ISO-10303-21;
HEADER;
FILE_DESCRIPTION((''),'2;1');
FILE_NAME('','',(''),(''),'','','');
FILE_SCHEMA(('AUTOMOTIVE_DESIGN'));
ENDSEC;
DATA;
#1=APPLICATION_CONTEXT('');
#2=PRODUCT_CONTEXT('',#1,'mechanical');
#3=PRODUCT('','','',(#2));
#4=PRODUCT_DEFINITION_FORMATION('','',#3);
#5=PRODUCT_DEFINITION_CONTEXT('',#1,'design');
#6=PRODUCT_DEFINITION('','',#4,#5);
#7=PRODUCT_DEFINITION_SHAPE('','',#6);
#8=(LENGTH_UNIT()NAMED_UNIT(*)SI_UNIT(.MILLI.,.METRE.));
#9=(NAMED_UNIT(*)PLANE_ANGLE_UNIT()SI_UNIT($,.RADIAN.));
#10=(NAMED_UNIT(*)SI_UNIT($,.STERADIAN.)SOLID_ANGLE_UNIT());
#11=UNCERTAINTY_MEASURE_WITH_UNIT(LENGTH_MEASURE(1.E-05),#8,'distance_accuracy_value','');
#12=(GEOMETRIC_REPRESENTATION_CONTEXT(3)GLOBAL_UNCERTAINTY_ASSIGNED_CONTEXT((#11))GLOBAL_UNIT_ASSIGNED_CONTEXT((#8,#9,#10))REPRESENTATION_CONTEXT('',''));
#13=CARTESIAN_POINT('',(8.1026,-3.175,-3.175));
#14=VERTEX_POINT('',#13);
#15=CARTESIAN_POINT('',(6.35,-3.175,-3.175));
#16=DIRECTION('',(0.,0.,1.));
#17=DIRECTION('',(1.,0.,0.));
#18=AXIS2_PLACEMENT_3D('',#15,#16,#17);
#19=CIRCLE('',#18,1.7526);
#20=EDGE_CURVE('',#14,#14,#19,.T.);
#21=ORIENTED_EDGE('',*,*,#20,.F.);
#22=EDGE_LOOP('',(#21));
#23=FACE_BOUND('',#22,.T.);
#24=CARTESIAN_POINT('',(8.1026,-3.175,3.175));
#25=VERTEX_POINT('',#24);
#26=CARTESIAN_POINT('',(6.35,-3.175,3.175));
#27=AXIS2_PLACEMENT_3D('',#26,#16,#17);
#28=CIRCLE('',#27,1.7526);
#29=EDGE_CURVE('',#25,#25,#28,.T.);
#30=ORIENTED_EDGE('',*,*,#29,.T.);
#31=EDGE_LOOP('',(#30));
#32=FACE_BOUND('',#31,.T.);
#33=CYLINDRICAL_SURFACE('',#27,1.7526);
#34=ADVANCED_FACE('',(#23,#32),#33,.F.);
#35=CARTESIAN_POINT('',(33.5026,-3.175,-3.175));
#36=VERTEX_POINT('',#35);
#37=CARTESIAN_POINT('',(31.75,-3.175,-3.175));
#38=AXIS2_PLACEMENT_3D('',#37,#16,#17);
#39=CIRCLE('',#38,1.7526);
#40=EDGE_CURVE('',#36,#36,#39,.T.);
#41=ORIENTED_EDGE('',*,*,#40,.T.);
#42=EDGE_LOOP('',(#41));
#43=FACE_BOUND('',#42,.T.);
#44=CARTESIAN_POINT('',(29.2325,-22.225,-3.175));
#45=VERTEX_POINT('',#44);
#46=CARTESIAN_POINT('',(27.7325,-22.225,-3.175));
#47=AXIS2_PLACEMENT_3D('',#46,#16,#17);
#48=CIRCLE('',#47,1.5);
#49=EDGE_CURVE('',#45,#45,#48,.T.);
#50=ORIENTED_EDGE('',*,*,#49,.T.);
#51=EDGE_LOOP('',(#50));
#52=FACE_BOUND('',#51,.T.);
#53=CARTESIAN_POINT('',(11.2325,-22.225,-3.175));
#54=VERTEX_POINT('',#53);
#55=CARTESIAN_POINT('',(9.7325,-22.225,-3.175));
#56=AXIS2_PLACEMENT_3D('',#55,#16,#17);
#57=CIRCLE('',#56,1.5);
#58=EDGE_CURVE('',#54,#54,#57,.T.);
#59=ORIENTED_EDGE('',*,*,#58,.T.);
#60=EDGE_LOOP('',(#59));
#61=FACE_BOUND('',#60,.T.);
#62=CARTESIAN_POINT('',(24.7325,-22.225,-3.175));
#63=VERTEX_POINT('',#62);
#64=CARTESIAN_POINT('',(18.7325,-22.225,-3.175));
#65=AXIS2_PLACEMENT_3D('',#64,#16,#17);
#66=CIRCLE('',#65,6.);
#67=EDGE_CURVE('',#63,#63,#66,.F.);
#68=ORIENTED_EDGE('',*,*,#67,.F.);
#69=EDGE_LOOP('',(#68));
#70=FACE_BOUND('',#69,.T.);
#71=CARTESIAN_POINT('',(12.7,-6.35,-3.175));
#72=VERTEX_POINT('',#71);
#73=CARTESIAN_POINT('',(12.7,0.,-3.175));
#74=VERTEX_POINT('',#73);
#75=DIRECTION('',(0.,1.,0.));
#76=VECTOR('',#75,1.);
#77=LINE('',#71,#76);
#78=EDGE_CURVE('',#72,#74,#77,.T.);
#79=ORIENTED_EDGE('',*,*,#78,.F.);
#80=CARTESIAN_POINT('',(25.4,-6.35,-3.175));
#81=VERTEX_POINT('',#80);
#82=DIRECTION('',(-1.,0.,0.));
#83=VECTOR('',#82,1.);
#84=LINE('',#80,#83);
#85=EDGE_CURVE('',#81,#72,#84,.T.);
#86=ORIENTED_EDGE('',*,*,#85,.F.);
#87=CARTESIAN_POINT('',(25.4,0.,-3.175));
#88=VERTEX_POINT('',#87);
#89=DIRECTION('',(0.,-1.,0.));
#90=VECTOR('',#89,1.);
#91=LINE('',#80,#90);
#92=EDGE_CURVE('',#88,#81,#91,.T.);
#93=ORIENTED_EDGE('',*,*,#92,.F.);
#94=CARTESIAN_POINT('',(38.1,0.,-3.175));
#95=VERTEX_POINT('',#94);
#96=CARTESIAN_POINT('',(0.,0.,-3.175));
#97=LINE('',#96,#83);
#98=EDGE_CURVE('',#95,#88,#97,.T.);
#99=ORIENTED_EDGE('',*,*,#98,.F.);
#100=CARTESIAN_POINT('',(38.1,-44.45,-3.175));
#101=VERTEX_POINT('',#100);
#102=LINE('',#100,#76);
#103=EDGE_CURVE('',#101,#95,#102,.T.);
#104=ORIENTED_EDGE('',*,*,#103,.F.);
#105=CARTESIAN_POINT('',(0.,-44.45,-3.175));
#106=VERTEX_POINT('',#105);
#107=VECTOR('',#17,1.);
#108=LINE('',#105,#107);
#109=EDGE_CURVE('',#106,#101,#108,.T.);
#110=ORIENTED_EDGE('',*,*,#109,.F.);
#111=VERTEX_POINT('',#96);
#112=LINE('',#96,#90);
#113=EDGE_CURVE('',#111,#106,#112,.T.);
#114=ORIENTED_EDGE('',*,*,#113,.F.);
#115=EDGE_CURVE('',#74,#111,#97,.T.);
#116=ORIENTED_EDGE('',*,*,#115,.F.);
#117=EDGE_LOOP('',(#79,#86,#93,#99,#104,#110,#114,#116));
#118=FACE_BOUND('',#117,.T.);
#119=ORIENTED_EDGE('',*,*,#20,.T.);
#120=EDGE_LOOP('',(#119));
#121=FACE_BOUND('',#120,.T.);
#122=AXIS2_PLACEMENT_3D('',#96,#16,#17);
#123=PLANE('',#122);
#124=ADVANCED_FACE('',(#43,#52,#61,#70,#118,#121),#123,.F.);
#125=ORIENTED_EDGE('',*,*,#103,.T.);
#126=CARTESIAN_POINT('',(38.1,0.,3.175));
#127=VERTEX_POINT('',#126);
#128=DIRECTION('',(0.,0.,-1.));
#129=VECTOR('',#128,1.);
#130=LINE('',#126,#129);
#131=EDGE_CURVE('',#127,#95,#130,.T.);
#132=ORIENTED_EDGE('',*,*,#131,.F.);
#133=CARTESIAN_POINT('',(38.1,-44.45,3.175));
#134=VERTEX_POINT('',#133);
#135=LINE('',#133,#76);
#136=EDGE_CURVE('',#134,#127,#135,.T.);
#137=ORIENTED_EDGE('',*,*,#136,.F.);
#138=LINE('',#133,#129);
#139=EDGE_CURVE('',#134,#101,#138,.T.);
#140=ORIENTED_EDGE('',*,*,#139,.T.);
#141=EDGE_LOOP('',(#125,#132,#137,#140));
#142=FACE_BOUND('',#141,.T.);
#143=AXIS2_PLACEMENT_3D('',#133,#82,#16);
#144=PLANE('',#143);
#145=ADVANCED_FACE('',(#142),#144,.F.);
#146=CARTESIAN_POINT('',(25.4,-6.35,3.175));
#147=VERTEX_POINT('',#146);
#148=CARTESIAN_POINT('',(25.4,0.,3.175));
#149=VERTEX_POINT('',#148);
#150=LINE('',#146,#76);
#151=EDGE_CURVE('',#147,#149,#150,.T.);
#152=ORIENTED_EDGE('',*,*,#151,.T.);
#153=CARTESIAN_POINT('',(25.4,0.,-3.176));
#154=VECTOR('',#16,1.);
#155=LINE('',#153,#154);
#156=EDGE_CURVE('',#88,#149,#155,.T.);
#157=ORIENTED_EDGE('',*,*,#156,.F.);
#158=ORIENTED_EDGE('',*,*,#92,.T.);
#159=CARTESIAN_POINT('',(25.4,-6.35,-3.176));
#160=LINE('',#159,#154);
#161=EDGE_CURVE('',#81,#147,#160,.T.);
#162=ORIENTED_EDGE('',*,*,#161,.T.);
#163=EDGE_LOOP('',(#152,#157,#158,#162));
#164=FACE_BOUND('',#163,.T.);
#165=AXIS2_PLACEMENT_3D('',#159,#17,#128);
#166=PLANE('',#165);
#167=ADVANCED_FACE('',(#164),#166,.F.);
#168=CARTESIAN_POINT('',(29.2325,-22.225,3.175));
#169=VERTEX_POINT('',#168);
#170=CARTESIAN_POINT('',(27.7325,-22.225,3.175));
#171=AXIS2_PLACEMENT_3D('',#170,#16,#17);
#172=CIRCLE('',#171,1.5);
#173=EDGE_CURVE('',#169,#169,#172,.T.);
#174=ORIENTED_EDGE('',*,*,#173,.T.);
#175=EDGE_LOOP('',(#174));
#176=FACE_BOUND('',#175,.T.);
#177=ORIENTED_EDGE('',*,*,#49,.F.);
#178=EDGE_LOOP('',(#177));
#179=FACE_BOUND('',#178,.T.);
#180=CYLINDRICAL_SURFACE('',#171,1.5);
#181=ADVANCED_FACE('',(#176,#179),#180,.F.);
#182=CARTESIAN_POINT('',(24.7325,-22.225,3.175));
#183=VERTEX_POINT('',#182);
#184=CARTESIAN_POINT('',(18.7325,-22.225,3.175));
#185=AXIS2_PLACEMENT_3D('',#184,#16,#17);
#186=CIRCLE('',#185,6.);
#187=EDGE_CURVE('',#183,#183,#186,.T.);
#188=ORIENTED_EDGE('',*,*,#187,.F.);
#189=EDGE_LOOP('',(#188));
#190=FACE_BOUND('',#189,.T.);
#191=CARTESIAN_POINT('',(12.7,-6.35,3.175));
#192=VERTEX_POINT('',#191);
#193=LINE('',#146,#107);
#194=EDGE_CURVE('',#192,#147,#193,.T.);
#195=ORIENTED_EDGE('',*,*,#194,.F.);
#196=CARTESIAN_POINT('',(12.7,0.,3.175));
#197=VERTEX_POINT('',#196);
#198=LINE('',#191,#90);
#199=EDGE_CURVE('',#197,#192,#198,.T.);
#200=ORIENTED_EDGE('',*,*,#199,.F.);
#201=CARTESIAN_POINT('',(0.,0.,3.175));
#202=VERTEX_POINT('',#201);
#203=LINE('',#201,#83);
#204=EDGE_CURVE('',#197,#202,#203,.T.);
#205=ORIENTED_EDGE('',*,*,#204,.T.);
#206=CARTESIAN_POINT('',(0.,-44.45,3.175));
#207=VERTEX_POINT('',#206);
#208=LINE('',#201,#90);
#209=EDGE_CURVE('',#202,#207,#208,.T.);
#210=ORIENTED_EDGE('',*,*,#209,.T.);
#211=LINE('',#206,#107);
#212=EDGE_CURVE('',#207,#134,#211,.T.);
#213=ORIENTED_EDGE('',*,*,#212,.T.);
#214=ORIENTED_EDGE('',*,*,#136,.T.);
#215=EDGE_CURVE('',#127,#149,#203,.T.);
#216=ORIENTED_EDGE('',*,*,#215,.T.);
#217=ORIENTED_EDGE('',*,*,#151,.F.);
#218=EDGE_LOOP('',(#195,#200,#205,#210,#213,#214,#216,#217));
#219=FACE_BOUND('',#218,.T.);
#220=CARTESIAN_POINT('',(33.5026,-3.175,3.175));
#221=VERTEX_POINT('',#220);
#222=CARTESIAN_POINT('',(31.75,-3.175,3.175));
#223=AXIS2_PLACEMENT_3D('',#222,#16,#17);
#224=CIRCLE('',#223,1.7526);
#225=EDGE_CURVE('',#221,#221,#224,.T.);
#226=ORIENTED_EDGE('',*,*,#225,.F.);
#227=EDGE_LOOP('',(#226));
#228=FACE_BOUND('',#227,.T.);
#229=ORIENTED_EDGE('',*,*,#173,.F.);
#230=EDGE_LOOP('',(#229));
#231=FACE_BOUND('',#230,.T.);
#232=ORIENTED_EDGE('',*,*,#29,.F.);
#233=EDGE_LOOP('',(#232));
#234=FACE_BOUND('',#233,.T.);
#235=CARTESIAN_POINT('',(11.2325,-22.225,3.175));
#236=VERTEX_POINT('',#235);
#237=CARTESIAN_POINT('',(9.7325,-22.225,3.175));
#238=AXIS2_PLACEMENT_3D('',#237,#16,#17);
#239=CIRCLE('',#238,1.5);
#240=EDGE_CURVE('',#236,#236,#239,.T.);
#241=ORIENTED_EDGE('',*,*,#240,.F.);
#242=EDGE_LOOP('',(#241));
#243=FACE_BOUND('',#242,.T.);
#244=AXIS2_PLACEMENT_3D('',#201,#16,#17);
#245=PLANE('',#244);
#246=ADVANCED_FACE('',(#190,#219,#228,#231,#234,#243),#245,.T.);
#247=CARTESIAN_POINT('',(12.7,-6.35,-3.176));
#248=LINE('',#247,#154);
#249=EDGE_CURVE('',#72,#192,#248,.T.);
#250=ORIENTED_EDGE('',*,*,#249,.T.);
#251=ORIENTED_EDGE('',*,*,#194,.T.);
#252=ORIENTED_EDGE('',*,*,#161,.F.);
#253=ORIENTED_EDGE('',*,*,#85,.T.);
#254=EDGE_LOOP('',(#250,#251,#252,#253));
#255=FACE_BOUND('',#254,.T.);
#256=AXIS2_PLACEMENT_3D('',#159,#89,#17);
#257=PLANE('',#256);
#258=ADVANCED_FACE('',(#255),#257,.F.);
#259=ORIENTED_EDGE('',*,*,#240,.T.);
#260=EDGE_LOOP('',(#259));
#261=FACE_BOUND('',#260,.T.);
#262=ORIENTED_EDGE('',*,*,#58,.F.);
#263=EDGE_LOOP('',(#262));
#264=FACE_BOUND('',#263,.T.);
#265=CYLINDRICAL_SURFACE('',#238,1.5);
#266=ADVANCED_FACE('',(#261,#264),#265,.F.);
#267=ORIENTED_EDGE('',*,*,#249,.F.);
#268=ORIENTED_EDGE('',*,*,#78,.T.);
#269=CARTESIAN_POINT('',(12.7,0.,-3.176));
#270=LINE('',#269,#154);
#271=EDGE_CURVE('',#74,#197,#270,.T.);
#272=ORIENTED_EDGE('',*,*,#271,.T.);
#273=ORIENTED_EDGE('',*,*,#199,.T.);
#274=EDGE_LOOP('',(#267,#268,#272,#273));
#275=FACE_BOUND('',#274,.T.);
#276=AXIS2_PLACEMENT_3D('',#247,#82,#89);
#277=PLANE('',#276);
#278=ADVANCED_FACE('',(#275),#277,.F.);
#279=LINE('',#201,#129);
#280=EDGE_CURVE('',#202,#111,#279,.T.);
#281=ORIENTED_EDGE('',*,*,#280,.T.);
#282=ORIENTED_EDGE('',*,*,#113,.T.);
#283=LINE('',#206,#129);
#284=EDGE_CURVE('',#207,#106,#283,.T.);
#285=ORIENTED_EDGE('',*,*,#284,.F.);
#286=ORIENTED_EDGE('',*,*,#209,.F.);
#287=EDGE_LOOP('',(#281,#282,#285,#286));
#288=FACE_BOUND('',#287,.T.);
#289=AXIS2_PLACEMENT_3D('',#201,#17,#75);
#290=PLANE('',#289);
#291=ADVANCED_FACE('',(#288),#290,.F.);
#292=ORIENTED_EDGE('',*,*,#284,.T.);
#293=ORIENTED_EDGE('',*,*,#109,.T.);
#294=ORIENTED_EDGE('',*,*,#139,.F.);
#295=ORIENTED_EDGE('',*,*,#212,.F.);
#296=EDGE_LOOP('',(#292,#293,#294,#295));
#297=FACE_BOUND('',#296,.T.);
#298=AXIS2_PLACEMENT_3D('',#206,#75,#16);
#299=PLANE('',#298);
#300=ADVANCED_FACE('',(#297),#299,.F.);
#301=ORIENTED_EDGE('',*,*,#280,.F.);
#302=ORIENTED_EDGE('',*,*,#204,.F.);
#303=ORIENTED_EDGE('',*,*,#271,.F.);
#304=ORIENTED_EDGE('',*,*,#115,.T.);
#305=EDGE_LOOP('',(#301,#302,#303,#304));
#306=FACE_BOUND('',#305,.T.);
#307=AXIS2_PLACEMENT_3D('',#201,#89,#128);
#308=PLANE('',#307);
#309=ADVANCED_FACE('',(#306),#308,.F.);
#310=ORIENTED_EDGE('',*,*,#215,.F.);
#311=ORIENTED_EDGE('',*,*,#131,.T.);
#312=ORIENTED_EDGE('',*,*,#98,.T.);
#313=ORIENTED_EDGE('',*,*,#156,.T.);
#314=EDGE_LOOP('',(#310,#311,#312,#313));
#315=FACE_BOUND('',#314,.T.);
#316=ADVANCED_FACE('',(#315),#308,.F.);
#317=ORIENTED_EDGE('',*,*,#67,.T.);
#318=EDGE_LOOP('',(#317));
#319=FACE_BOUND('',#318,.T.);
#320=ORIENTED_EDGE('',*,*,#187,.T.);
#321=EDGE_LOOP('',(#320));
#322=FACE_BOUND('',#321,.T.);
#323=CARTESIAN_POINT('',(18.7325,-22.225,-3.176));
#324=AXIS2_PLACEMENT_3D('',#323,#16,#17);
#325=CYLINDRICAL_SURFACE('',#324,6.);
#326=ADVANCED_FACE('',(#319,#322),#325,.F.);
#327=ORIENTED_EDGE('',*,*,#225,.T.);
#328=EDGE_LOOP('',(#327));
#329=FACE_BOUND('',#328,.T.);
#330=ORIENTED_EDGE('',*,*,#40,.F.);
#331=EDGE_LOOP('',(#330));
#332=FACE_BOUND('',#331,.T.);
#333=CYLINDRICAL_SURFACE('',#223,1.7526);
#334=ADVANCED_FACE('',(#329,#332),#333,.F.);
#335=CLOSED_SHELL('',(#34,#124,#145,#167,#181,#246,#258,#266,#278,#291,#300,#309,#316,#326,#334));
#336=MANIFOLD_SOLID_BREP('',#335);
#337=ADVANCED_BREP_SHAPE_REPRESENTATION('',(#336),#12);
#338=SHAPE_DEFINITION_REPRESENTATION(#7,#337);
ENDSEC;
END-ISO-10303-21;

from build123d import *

# Parameters (mm, degrees)
SKETCH1_W             = 38.1
SKETCH1_H             = 44.45
BOSS_EXTRUDE1_DEPTH   = 3.175
F_6_CLEARANCE_HOLE1_D = 3.5052
CUT_EXTRUDE3_REACH    = 60.887
SKETCH6_W             = 12.7
SKETCH6_H             = 6.35
CUT_EXTRUDE4_REACH    = 60.887
SKETCH7_R             = 6
M3_CLEARANCE_HOLE1_D  = 3


with BuildPart() as part:
    # Sketch1 → Boss-Extrude1 (new, symmetric)
    with BuildSketch(Plane.XY):
        with Locations((19.05, -22.225)):
            Rectangle(SKETCH1_W, SKETCH1_H)
    extrude(amount=BOSS_EXTRUDE1_DEPTH, both=True)

    # #6 Clearance Hole1 (through all)
    with Locations(Plane.XY.offset(3.175)):
        with Locations((6.35, -3.175), (31.75, -3.175)):
            Hole(F_6_CLEARANCE_HOLE1_D / 2)

    # Sketch6 → Cut-Extrude3 (cut, up to next)
    with BuildSketch(Plane.XY.offset(3.175), mode=Mode.PRIVATE) as cut_extrude3_sk1:
        with Locations((19.05, -3.175)):
            Rectangle(SKETCH6_W, SKETCH6_H)
    cut_extrude3_tool1 = extrude(cut_extrude3_sk1.sketch, amount=-CUT_EXTRUDE3_REACH, mode=Mode.PRIVATE) & part.part
    add(cut_extrude3_tool1.solids().sort_by_distance((19.05, -3.175, 3.175))[0], mode=Mode.SUBTRACT)

    # Sketch7 → Cut-Extrude4 (cut, up to next)
    with BuildSketch(Plane.XY.offset(3.175), mode=Mode.PRIVATE) as cut_extrude4_sk1:
        with Locations((18.7325, -22.225)):
            Circle(SKETCH7_R)
    cut_extrude4_tool1 = extrude(cut_extrude4_sk1.sketch, amount=-CUT_EXTRUDE4_REACH, mode=Mode.PRIVATE) & part.part
    add(cut_extrude4_tool1.solids().sort_by_distance((18.7325, -22.225, 3.175))[0], mode=Mode.SUBTRACT)

    # M3 Clearance Hole1 (through all)
    with Locations(Plane.XY.offset(3.175)):
        with Locations((27.7325, -22.225), (9.7325, -22.225)):
            Hole(M3_CLEARANCE_HOLE1_D / 2)


solid = part.part
